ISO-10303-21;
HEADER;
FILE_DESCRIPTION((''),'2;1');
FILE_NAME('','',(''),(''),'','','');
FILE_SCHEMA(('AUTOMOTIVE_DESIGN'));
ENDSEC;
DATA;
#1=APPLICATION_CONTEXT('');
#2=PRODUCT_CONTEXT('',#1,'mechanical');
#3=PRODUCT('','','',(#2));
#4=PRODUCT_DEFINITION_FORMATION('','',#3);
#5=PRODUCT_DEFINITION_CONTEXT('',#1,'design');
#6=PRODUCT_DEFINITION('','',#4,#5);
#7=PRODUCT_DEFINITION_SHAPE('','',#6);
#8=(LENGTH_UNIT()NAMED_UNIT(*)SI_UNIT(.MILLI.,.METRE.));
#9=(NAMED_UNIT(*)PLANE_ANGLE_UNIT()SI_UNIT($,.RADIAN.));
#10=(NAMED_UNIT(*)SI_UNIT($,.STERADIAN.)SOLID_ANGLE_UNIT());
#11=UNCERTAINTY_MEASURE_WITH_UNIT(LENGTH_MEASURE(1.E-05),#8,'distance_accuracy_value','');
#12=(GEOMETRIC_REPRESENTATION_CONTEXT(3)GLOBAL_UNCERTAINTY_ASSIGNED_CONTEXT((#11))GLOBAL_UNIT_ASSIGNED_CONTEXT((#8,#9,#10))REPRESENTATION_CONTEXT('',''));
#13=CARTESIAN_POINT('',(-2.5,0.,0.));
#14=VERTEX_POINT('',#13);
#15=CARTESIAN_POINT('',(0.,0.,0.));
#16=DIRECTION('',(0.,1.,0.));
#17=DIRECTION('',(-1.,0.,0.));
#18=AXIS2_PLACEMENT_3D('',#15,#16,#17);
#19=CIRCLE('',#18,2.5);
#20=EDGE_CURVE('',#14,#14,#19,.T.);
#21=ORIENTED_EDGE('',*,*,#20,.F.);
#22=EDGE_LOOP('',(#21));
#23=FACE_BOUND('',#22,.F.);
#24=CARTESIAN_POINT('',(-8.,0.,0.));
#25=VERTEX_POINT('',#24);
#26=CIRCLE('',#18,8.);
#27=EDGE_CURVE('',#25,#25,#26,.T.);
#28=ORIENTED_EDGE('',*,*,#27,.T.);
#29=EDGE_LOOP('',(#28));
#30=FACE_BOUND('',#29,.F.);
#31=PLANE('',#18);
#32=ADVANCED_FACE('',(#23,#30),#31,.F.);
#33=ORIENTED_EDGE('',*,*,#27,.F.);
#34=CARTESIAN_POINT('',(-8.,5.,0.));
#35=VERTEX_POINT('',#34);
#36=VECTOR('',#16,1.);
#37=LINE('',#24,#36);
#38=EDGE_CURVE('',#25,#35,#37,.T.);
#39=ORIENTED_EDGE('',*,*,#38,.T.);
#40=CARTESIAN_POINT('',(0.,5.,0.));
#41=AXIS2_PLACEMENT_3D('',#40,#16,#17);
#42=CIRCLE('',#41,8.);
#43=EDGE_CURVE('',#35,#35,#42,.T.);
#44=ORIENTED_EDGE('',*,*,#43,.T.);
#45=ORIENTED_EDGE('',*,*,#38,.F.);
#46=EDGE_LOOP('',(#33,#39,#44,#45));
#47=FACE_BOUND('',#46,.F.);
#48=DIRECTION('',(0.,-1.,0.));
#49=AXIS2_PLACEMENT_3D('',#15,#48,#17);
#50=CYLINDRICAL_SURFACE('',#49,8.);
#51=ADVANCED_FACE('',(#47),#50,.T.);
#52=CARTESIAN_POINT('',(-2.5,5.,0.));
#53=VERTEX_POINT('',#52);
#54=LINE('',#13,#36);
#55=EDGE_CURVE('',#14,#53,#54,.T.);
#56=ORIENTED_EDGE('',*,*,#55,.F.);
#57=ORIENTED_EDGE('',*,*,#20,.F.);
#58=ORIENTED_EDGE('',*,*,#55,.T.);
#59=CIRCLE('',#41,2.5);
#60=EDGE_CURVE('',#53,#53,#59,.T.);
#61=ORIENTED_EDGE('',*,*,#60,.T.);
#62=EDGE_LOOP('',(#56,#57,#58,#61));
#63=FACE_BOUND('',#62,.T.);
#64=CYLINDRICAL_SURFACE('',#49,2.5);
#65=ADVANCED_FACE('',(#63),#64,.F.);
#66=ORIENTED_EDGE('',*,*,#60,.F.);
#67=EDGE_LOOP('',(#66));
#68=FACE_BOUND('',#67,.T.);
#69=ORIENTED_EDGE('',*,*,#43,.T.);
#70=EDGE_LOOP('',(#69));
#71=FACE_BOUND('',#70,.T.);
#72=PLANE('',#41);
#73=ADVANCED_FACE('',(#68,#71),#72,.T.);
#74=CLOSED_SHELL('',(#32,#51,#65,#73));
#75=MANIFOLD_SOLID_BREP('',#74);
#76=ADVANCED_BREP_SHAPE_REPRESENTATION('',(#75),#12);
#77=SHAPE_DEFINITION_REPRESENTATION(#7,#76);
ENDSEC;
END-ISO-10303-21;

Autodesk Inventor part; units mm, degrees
ref_plane "YZ Plane" through (0, 0, 0) normal (1, 0, 0) x (0, 1, 0)
ref_plane "XZ Plane" through (0, 0, 0) normal (0, 1, 0) x (-1, 0, 0)
ref_plane "XY Plane" through (0, 0, 0) normal (0, 0, 1) x (1, 0, 0)
sketch "Sketch1" plane through (0, 0, 0) normal (0, 1, 0) x (-1, 0, 0)
  circle A0 centre (0, 0) radius 2.5
  circle A1 centre (0, 0) radius 8
  dimension "d0" = 5
  dimension "d1" = 16
extrude "Extrusion1" add sketch "Sketch1" along normal blind 5
equation "\"d0\" = ball_bearing_ID"
equation "\"d1\" = ball_bearing_OD"
equation "\"d2\" = ball_bearing_width"
equation "\"ball_bearing_ID\" = 5"
equation "\"ball_bearing_OD\" = 16"
equation "\"ball_bearing_width\" = 5"
properties part number "4_ball_bearing"
